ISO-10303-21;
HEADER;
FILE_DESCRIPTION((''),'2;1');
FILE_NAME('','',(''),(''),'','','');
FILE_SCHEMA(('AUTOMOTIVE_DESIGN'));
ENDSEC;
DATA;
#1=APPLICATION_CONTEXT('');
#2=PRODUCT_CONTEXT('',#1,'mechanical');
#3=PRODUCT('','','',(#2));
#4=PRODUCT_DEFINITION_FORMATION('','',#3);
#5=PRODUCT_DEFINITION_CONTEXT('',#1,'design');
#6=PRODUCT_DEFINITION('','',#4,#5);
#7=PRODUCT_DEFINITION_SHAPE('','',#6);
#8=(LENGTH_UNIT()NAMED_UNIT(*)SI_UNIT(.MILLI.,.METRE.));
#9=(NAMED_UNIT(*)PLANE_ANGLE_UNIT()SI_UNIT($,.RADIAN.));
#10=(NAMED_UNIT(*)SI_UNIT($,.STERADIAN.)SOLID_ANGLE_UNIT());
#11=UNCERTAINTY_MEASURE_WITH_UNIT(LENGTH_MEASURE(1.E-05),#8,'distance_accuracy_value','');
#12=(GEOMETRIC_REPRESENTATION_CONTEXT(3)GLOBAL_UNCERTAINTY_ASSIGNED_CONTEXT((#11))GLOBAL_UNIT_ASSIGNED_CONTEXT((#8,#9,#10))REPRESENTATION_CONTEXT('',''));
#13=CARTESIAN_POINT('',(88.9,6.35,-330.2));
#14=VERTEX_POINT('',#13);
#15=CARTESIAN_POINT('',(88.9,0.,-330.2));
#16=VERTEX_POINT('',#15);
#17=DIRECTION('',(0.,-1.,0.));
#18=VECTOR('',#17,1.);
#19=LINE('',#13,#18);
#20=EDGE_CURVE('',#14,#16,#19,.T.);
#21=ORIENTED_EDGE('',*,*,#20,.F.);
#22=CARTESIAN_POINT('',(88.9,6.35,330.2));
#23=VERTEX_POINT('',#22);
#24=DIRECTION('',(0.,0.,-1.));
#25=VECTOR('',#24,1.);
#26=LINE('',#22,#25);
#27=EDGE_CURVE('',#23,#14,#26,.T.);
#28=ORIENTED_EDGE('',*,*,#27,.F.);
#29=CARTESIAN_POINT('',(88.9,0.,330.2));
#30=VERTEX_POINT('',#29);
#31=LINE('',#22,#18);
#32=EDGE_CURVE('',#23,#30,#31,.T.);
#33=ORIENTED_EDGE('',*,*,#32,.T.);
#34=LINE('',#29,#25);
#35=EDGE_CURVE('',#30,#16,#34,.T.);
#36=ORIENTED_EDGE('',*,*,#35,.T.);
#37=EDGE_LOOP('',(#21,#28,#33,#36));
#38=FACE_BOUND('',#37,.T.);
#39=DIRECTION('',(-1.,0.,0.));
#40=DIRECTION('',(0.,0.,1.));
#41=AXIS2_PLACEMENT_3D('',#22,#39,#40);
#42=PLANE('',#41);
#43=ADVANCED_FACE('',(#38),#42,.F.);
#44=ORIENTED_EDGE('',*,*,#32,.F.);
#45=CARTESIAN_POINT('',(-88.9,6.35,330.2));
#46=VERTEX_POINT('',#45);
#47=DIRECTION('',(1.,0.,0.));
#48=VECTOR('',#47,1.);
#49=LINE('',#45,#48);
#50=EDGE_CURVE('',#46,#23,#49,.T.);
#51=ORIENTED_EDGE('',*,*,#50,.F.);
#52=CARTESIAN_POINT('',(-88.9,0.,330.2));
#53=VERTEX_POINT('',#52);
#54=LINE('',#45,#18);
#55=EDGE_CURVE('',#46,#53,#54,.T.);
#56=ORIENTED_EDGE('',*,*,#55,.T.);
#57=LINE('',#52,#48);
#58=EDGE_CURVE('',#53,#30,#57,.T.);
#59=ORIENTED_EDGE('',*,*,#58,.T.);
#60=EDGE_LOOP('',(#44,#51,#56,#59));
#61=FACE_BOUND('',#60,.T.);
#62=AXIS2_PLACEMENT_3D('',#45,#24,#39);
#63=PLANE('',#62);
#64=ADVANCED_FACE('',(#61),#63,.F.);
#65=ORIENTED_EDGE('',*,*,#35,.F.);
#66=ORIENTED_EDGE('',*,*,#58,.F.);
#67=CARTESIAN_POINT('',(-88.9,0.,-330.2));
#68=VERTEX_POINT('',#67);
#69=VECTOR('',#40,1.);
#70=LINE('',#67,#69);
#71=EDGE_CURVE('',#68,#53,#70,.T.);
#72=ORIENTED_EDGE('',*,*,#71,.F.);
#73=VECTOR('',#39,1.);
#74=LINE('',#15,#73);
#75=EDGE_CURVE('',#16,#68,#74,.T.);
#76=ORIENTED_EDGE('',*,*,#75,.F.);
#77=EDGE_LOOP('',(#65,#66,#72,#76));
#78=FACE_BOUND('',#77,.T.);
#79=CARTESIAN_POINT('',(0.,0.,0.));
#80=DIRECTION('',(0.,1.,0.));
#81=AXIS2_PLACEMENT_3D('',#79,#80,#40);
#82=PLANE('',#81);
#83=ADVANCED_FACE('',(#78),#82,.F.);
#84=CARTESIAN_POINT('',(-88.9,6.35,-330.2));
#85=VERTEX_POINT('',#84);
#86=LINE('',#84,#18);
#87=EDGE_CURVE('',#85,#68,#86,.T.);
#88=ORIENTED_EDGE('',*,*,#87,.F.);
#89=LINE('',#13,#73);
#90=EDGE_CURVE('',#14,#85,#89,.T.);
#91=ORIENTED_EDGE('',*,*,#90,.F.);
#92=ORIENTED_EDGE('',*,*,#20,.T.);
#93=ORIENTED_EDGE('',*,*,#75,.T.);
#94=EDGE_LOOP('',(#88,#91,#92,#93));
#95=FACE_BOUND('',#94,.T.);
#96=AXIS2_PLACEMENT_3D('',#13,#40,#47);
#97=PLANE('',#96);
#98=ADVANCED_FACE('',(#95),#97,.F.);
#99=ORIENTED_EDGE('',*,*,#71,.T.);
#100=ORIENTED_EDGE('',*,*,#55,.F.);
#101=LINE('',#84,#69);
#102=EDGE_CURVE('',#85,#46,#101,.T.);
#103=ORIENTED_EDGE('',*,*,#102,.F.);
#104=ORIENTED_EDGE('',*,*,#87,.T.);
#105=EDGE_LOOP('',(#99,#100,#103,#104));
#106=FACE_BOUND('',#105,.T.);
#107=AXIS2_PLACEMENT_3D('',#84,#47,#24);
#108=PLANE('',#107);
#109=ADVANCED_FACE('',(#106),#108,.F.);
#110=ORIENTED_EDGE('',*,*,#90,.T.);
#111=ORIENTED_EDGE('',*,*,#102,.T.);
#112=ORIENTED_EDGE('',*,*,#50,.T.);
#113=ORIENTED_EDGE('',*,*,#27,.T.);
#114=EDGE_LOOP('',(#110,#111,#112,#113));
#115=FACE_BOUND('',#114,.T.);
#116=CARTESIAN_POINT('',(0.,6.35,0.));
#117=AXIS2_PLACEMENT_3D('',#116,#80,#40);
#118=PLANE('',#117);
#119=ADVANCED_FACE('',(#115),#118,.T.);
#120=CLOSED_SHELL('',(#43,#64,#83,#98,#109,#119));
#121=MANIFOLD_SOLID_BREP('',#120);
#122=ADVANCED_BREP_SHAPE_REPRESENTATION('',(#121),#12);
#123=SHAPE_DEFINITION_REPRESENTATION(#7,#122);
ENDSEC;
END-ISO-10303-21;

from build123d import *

# Parameters (mm, degrees)
SKETCH1_W        = 177.8
SKETCH1_H        = 660.4
EXTRUSION1_DEPTH = 6.35


with BuildPart() as part:
    # Sketch1 → Extrusion1 (new body)
    with BuildSketch(Plane(origin=(0, 0, 0), x_dir=(-1, 0, 0), z_dir=(0, 1, 0))):
        Rectangle(SKETCH1_W, SKETCH1_H)
    extrude(amount=EXTRUSION1_DEPTH)


solid = part.part
